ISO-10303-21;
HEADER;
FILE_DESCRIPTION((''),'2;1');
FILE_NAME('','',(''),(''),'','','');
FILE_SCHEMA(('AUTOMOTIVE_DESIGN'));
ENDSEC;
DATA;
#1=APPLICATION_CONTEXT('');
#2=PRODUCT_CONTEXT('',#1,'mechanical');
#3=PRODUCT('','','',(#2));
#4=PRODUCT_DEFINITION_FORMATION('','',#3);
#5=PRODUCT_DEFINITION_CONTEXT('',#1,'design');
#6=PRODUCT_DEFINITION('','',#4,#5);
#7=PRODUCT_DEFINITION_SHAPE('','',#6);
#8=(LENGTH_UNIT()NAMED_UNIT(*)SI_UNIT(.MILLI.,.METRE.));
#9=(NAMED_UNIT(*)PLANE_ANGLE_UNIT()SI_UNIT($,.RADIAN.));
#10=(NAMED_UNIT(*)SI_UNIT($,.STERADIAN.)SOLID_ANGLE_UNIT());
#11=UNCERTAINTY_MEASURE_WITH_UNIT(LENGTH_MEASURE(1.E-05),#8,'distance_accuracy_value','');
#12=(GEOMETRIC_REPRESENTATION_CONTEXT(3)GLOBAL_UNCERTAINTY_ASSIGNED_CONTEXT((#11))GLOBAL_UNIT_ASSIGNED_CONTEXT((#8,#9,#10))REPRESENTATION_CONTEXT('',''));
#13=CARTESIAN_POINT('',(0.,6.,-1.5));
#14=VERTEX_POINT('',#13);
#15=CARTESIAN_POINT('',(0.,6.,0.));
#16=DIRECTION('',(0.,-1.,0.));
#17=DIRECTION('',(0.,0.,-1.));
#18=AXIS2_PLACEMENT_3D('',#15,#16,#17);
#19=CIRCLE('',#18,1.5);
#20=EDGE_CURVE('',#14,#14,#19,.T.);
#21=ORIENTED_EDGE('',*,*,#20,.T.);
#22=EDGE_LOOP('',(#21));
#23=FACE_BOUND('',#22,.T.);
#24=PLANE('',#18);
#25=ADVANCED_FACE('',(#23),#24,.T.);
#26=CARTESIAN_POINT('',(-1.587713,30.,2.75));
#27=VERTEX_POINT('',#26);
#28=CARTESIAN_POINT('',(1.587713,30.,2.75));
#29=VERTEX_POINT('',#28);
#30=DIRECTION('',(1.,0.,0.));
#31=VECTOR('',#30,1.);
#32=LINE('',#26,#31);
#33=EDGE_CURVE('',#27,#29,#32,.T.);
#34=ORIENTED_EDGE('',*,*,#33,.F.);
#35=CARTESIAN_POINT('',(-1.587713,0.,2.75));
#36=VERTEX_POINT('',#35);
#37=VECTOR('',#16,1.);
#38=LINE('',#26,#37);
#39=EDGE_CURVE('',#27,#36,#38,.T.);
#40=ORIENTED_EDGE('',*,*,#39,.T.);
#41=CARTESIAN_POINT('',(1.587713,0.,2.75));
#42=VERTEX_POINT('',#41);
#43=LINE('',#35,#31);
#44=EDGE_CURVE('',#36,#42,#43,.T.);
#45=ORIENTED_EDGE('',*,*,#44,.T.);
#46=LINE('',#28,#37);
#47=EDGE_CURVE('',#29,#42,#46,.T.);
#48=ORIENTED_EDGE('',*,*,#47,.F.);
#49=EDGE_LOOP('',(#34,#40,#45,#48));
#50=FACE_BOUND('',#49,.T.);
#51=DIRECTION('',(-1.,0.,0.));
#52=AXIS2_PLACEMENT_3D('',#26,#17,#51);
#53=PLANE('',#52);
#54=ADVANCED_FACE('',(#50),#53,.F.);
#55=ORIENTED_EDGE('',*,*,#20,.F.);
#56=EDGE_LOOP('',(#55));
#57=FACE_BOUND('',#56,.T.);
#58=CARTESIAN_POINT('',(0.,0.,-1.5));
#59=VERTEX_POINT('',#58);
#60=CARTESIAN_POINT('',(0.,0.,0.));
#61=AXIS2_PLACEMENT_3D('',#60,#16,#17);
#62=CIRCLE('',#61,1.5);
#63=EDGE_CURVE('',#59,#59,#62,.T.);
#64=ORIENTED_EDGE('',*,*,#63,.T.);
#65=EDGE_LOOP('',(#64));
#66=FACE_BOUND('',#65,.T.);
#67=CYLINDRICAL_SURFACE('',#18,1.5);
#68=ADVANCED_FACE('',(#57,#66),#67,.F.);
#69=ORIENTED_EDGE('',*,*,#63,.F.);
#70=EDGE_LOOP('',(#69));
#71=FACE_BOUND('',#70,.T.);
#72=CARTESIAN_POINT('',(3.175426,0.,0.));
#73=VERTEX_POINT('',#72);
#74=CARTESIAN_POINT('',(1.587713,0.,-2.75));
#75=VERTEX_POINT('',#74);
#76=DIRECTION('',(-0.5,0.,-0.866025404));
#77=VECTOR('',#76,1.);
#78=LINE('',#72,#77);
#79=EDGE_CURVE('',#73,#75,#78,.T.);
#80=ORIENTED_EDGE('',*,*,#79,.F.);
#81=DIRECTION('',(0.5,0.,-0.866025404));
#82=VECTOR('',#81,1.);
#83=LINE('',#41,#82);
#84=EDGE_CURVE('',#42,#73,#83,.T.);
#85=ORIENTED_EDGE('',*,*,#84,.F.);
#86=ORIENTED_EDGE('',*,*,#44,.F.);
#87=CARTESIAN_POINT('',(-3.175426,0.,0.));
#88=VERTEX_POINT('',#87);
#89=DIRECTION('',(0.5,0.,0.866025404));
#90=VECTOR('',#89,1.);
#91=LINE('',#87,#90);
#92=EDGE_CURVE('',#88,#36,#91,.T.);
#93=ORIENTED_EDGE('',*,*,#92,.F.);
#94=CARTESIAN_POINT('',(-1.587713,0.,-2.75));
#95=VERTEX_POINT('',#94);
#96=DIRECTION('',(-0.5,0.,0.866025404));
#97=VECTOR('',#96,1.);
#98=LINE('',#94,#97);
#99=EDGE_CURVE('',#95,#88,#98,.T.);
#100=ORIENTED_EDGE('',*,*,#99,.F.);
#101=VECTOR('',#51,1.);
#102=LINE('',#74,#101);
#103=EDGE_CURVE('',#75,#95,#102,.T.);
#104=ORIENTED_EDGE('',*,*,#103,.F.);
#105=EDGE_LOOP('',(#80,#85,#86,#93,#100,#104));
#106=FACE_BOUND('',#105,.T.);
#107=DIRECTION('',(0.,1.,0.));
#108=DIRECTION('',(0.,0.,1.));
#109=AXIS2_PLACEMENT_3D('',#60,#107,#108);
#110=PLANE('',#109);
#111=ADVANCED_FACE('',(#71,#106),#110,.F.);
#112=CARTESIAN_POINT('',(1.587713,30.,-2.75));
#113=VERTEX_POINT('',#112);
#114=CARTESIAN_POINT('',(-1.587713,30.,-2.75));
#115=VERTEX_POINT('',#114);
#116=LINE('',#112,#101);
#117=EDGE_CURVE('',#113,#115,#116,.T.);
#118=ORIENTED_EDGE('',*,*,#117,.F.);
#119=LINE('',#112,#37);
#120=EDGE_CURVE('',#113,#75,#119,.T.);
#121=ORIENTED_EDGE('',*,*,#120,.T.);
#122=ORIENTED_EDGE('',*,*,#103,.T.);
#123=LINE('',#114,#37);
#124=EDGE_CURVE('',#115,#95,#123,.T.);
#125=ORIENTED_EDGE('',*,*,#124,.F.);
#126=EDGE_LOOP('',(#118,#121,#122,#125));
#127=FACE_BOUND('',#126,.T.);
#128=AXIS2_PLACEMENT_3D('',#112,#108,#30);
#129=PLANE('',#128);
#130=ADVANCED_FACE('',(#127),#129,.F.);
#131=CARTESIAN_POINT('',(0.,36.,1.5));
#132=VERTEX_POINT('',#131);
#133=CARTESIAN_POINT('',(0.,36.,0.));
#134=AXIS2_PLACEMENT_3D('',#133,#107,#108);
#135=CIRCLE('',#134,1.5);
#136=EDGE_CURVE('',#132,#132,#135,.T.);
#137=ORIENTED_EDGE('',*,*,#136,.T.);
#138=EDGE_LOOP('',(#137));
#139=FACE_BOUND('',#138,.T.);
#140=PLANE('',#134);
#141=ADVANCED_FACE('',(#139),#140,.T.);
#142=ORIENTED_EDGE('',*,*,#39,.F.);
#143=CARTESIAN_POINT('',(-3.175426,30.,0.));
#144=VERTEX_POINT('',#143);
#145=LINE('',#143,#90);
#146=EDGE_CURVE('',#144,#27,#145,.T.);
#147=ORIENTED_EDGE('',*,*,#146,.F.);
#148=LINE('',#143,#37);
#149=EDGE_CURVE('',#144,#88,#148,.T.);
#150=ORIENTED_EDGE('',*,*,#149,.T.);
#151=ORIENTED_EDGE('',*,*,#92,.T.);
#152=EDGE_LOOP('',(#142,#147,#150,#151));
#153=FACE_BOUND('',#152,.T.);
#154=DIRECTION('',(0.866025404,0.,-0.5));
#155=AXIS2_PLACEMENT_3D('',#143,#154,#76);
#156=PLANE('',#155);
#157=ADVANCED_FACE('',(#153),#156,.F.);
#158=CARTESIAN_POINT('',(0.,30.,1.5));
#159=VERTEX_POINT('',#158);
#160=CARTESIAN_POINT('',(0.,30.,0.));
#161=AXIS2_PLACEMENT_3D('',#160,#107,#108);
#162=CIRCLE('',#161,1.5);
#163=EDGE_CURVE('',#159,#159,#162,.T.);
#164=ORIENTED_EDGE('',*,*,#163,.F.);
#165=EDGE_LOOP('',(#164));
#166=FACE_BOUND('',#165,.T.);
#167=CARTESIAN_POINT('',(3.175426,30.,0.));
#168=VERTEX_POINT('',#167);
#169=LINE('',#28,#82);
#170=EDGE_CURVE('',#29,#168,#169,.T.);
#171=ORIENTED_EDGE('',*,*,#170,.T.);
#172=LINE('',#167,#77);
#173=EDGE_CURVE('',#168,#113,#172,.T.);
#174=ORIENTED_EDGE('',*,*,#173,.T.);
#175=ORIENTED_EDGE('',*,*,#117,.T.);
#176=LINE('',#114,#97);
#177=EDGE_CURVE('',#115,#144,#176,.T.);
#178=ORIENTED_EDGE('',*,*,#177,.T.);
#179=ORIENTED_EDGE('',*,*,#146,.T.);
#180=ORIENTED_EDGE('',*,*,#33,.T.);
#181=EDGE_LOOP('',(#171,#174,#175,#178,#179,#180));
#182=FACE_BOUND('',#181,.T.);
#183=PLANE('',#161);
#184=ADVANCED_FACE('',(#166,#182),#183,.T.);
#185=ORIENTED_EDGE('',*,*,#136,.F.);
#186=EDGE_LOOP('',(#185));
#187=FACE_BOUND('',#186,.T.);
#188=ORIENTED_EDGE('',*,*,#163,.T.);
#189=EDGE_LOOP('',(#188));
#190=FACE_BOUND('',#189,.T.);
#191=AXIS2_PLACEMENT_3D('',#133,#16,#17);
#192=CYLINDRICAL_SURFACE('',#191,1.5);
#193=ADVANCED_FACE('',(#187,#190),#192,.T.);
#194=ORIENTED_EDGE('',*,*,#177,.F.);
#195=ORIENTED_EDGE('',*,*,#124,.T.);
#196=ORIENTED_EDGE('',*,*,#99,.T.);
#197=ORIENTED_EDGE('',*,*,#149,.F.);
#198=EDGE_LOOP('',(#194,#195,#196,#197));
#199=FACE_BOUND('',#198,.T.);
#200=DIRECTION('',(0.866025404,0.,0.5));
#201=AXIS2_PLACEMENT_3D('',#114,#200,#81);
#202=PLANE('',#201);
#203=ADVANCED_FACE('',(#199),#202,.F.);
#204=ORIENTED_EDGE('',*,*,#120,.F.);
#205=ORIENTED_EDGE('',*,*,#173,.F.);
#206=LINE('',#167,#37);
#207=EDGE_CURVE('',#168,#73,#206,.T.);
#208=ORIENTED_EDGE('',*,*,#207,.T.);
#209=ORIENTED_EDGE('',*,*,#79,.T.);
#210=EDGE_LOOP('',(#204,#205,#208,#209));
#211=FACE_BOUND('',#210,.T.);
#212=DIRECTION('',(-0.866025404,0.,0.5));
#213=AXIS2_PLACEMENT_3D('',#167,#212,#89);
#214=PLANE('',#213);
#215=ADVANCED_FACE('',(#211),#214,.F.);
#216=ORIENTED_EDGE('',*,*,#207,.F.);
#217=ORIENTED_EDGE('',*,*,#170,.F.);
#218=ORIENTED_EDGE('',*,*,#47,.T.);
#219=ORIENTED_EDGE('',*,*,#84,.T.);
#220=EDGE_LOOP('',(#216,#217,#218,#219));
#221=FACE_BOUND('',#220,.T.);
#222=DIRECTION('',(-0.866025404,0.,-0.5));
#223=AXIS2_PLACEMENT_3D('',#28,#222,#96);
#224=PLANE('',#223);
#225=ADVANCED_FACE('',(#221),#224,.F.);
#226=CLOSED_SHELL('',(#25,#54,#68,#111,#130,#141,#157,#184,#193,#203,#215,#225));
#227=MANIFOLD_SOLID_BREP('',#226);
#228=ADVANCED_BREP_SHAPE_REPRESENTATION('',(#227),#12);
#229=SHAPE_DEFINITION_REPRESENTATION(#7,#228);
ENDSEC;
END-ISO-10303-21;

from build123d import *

# Parameters (mm, degrees)
BOSS_EXTRUDE1_DEPTH = 30
SKETCH2_R           = 1.5
CUT_EXTRUDE1_DEPTH  = 6
BOSS_EXTRUDE2_START = -30
SKETCH2_2_R         = 1.5
BOSS_EXTRUDE2_DEPTH = 6


with BuildPart() as part:
    # Sketch1 → Boss-Extrude1 (new body)
    with BuildSketch(Plane(origin=(0, 0, 0), x_dir=(1, 0, 0), z_dir=(0, 1, 0))):
        Polygon((1.58771324, -2.75), (3.175426481, 0), (1.58771324, 2.75), (-1.58771324, 2.75), (-3.175426481, 0), (-1.58771324, -2.75), align=None)
    extrude(amount=BOSS_EXTRUDE1_DEPTH)

    # Sketch2 → Cut-Extrude1 (cut)
    with BuildSketch(Plane.XZ):
        with Locations(Location((0, 0, 0), (0, 0, 270))):
            Circle(SKETCH2_R)
    extrude(amount=-CUT_EXTRUDE1_DEPTH, mode=Mode.SUBTRACT)

    # Sketch2<2> → Boss-Extrude2 (add)
    with BuildSketch(Plane.XZ.offset(BOSS_EXTRUDE2_START)):
        with Locations(Location((0, 0, 0), (0, 0, 270))):
            Circle(SKETCH2_2_R)
    extrude(amount=-BOSS_EXTRUDE2_DEPTH)


solid = part.part
